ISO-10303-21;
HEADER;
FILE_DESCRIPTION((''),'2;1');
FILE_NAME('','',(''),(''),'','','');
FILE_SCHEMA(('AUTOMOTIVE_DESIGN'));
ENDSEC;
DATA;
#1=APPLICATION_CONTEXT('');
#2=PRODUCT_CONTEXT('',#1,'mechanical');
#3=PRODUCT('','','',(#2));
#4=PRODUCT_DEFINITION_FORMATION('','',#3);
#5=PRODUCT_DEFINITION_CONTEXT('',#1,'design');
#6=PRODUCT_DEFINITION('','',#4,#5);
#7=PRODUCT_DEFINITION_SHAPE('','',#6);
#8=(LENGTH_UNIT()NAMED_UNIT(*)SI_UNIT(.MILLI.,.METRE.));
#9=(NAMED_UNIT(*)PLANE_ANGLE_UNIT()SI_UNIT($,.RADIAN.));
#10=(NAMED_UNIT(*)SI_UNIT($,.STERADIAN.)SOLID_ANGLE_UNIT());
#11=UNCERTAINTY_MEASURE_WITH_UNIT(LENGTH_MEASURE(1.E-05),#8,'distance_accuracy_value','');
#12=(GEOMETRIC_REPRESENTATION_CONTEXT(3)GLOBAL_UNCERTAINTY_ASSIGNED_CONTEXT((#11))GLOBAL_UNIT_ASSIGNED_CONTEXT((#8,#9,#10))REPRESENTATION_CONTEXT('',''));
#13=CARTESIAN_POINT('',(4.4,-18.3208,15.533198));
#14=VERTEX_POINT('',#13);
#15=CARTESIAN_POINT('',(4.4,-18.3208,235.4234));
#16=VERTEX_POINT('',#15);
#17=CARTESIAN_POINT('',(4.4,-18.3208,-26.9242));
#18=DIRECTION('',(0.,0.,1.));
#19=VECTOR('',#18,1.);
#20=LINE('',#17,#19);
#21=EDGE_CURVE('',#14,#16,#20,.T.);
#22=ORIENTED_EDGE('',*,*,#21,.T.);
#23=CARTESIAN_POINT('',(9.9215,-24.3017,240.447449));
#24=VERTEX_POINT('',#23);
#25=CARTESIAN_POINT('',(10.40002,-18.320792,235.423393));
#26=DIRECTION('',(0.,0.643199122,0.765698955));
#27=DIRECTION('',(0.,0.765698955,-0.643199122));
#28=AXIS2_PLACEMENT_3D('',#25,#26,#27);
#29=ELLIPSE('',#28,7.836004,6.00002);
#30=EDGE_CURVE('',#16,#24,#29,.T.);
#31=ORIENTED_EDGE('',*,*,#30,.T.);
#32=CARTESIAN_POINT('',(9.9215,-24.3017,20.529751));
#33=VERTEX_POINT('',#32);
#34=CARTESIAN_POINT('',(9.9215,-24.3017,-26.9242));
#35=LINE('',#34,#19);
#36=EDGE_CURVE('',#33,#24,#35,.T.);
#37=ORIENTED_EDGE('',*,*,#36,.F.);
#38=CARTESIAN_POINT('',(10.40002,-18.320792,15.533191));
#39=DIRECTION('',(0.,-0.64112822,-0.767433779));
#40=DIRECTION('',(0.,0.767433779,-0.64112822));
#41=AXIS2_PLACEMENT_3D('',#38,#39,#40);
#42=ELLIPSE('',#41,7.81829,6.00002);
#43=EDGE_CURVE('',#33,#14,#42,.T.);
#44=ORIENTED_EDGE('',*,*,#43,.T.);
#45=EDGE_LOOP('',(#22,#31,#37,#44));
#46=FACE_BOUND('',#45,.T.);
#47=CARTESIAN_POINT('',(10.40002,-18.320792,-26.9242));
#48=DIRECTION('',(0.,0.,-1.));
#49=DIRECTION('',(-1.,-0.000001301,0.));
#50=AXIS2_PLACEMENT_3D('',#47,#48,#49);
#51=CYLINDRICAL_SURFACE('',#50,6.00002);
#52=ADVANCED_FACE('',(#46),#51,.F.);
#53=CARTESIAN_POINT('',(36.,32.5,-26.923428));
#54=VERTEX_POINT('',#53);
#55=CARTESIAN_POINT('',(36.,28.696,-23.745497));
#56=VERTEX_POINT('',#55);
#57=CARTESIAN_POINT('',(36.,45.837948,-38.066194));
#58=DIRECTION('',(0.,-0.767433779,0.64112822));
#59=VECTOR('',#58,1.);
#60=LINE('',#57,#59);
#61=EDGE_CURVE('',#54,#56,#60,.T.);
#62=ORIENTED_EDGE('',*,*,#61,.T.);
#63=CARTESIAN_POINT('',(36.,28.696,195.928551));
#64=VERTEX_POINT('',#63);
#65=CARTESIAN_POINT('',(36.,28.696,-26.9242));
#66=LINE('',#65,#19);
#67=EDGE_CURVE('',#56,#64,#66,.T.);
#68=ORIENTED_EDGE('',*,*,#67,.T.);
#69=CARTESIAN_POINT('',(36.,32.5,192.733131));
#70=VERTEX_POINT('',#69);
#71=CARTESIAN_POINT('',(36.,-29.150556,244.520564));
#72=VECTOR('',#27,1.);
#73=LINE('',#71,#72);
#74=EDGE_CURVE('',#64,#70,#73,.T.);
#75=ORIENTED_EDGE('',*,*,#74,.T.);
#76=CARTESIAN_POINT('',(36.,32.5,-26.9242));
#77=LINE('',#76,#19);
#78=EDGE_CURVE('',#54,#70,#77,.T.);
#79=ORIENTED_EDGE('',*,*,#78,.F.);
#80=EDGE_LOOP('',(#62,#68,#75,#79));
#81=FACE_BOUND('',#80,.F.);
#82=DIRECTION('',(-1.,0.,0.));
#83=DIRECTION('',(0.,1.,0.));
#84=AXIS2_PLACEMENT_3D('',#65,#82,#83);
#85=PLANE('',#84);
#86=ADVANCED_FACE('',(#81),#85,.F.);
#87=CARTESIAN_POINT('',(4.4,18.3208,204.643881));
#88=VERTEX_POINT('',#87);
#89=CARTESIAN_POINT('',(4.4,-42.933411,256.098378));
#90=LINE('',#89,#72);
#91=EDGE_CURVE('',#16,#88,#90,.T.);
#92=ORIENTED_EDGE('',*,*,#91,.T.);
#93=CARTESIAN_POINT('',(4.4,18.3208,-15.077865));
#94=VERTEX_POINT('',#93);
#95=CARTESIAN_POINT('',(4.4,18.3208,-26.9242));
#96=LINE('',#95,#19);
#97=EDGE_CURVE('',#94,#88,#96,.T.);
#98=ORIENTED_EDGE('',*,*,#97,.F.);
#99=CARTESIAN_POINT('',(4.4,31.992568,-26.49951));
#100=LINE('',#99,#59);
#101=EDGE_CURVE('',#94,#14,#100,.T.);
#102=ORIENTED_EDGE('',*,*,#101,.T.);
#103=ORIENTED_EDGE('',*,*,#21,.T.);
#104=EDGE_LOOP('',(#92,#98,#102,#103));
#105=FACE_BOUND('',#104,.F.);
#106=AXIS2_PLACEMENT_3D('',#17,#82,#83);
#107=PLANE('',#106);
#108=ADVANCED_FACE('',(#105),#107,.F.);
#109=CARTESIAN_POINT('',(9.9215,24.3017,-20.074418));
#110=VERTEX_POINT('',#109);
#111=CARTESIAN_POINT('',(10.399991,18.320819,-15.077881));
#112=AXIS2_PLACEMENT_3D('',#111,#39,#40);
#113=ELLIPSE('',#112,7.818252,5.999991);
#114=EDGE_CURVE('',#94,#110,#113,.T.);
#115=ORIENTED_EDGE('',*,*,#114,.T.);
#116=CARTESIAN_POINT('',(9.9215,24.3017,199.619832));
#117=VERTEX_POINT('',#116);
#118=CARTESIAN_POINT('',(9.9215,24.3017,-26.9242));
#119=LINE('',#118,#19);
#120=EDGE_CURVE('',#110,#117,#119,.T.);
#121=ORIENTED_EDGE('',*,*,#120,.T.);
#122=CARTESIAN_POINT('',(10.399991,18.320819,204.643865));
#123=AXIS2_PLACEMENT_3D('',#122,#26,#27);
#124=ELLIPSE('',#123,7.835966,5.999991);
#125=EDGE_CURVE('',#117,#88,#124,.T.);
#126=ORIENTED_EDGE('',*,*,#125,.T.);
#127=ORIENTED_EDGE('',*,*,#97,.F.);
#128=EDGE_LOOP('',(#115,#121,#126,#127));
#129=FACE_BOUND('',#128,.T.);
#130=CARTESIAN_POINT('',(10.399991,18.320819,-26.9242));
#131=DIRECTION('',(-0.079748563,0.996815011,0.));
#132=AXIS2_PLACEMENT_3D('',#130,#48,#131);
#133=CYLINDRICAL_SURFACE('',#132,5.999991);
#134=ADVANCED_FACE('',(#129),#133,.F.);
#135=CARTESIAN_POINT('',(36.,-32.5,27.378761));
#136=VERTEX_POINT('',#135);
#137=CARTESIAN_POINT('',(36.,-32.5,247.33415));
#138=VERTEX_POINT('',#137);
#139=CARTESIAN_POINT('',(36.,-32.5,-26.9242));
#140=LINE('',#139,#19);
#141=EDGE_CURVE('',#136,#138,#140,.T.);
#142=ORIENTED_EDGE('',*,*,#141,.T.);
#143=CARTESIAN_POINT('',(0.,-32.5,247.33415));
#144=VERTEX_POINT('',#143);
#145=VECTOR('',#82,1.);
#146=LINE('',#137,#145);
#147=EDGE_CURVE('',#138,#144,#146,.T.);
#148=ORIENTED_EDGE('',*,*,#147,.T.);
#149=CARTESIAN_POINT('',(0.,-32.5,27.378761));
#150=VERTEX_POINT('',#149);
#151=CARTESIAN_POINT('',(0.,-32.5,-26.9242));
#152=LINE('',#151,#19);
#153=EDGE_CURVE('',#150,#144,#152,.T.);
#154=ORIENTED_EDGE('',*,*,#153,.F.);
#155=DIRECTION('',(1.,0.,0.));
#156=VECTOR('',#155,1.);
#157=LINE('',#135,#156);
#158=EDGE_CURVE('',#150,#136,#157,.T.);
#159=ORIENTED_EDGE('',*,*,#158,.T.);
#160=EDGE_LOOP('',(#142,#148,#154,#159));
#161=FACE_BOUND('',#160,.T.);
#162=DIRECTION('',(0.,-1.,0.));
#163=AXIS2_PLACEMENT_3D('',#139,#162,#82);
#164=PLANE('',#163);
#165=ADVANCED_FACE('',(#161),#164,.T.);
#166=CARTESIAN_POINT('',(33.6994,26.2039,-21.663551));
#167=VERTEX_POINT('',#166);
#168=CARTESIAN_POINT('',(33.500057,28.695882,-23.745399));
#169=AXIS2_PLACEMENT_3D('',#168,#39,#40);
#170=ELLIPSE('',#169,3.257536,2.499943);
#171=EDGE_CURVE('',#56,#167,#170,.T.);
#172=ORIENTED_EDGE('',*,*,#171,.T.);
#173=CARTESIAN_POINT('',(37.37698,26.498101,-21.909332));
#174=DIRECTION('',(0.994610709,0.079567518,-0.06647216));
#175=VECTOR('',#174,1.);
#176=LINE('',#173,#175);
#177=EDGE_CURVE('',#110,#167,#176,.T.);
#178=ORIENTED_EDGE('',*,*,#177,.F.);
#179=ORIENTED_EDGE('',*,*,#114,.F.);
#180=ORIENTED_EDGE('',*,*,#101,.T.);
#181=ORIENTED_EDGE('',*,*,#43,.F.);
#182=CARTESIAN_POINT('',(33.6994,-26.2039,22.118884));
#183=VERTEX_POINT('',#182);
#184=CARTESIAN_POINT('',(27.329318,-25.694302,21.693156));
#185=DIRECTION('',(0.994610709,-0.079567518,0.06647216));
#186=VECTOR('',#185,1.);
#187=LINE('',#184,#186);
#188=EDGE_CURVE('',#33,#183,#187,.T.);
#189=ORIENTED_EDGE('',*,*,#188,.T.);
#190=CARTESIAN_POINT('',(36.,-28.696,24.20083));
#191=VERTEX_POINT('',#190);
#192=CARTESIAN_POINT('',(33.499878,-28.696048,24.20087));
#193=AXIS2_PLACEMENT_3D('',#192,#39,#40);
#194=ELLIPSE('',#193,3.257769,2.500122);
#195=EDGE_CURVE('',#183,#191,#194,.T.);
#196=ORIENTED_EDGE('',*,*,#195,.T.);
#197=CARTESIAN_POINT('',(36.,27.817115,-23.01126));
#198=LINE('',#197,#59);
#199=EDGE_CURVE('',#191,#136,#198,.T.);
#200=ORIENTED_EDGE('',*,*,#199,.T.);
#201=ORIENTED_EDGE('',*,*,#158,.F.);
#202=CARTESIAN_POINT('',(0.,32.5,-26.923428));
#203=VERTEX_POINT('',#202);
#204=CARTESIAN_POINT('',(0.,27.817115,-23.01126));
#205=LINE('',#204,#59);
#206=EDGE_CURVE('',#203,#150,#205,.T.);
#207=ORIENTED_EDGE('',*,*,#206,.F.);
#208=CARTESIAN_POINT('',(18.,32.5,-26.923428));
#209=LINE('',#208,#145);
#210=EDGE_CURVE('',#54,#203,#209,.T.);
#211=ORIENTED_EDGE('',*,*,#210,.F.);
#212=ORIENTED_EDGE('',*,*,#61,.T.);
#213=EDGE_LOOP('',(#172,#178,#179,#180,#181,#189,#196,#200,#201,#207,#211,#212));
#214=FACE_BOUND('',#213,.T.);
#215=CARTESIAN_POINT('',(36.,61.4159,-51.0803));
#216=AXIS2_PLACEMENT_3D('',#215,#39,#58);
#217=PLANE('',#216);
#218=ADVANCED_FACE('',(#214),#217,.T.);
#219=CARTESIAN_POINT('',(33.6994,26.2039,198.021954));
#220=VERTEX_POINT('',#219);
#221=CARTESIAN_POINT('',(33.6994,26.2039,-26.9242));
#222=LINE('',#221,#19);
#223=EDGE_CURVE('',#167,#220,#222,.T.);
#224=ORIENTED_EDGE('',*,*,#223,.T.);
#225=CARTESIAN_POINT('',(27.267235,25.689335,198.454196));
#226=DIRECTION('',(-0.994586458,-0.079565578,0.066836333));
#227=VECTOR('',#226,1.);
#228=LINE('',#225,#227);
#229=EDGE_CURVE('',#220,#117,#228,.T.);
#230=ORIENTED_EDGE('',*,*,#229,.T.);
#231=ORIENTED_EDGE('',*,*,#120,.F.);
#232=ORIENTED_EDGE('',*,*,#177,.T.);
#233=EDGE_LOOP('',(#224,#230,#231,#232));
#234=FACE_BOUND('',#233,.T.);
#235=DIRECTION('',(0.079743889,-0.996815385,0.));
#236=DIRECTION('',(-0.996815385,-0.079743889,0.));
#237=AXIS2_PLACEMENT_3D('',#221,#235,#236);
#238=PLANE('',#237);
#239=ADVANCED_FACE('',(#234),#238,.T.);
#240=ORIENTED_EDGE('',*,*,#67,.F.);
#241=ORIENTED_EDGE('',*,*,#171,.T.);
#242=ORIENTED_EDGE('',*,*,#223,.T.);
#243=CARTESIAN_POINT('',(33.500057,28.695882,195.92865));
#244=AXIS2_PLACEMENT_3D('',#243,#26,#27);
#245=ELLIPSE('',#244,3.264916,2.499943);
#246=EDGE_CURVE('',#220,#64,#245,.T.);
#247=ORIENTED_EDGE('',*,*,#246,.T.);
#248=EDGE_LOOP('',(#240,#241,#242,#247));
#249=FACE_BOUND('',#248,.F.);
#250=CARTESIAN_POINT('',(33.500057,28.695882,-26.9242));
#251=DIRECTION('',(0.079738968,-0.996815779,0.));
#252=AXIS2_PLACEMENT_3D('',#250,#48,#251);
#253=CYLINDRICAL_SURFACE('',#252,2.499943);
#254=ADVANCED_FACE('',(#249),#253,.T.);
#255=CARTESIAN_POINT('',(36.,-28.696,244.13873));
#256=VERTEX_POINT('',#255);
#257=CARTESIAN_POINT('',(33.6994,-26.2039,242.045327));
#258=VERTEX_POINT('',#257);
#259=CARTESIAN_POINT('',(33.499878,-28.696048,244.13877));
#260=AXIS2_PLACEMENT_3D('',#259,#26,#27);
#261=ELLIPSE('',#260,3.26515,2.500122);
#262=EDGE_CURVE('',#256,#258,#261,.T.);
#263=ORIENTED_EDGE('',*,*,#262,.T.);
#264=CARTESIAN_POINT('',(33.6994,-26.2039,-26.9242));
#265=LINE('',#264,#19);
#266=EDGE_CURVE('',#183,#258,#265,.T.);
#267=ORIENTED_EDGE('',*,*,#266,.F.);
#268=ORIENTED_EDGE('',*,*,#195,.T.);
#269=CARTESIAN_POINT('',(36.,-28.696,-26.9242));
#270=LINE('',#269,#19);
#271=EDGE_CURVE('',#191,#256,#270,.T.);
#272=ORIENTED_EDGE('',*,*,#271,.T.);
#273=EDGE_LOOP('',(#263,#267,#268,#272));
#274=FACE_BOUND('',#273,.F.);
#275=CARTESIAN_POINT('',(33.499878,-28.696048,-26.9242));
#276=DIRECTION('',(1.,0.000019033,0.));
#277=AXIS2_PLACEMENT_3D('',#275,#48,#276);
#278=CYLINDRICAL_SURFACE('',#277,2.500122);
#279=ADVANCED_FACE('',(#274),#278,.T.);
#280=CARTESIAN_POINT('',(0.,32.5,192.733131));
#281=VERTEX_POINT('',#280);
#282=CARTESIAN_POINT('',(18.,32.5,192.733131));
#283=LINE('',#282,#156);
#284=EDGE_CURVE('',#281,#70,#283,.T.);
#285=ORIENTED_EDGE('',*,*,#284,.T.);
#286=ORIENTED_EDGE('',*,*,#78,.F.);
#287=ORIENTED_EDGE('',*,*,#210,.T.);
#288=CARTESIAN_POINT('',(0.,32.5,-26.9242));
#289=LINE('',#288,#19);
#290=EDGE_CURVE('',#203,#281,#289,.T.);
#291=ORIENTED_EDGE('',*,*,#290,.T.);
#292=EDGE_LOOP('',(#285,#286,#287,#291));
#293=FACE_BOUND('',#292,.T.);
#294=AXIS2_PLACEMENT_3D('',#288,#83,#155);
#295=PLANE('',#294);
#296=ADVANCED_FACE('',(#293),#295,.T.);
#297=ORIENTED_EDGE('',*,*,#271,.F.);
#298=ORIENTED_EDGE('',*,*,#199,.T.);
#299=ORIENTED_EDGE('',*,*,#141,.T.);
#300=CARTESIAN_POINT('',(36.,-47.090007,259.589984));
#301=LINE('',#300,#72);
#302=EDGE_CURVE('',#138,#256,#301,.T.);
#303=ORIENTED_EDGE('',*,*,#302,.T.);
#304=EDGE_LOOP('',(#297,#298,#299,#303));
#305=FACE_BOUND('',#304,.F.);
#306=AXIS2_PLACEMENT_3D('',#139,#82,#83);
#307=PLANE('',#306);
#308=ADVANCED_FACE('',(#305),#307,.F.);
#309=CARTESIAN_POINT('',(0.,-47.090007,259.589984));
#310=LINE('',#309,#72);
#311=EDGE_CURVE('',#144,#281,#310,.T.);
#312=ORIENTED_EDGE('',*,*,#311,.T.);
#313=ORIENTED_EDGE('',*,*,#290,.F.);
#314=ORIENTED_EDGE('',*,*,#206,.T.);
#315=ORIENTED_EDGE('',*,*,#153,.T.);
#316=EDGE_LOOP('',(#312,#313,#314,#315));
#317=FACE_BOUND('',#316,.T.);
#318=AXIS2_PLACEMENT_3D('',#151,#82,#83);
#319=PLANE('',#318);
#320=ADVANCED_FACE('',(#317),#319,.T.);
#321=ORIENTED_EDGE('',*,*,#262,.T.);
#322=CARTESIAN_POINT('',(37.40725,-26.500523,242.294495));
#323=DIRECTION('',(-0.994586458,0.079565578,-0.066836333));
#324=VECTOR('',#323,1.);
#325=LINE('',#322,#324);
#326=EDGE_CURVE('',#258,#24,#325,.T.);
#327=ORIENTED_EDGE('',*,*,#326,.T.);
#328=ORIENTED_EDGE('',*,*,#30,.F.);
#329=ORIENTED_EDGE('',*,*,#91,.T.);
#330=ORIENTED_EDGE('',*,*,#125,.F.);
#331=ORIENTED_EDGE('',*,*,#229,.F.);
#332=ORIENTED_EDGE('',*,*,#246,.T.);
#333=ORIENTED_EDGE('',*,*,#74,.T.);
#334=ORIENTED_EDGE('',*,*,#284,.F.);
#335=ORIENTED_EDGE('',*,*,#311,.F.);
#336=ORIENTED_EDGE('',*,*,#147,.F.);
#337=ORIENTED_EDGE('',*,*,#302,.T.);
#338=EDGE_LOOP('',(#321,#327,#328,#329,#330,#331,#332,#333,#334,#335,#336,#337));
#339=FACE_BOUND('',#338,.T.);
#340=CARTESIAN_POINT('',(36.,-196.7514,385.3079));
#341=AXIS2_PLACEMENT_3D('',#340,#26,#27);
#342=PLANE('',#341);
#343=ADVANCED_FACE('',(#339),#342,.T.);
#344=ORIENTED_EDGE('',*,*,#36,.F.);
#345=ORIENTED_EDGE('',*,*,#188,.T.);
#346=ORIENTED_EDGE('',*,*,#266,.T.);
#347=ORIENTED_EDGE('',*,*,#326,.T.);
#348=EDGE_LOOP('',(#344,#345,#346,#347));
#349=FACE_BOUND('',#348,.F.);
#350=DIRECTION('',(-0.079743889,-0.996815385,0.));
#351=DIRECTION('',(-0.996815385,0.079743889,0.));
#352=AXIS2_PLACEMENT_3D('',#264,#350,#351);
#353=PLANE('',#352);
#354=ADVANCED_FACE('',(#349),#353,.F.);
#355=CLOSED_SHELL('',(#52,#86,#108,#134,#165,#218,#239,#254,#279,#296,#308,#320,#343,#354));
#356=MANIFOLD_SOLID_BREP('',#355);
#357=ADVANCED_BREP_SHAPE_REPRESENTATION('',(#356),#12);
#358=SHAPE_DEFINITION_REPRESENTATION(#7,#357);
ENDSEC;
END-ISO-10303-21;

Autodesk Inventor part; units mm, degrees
ref_plane "Начальная плоскость" through (0, 0, -26.9242) normal (0, 0, 1) x (1, 0, 0)
ref_plane "Конечная плоскость" through (0, 0, 247.3386) normal (0, 0, 1) x (1, 0, 0)
sketch "Эскиз" plane through (0, 0, 0) normal (0, 0, 1) x (1, 0, 0)
  line L0 (36, -32.5) -> (0, -32.5)
  line L1 (36, -32.5) -> (36, -28.696)
  line L2 (33.6994, -26.2039) -> (9.9215, -24.3017)
  line L3 (4.4, -18.3208) -> (4.4, 18.3208)
  line L4 (33.6994, 26.2039) -> (9.9215, 24.3017)
  line L5 (36, 28.696) -> (36, 32.5)
  line L6 (0, 32.5) -> (36, 32.5)
  line L7 (0, -32.5) -> (0, 32.5)
  arc A0 (4.4, -18.3208) -> (9.9215, -24.3017) centre (10.4, -18.3208) ccw
  arc A1 (9.9215, 24.3017) -> (4.4, 18.3208) centre (10.4, 18.3208) ccw
  arc A2 (36, -28.696) -> (33.6994, -26.2039) centre (33.5, -28.696) ccw
  arc A3 (33.6994, 26.2039) -> (36, 28.696) centre (33.5, 28.696) ccw
  line L8 (0, 45.5) -> (0, -45.5) construction
  line L9 (-7.2974, 0) -> (43.7847, 0) construction
  point P0 (36, -26.388)
  point P1 (4.4, -23.86)
  point P2 (4.4, 23.86)
  point P3 (36, 26.388)
  dimension "d3" = 36
  dimension "d5" = 4.4
  dimension "d7" = 65
  dimension "d9" = 8.64
  dimension "d11" = 8.64
  dimension "d13" = 6.112
  dimension "d15" = 6.112
  dimension "d22" = 6
  dimension "d23" = 2.5
  dimension "d24" = 32.5
  dimension "d25" = 0
extrude "Тело" add sketch "Эскиз" along normal up to surface (274.2628 mm away) from surface at -26.9242
sketch "Sketch3" plane through (0, 0, 0) normal (0, 0, 1) x (1, 0, 0)
  line L0 (0, 0) -> (10, 0)
ref_plane "Work Plane7" through (0, 0, 0) normal (0, -1, 0) x (1, 0, 0)
sketch "Sketch4" plane through (0, 0, 0) normal (0, -1, 0) x (1, 0, 0)
  line L0 (-2, -26.9242) -> (12, -26.9242)
  line L1 (-2, 247.3386) -> (12, 247.3386)
  dimension "d29" = 274.2629
ref_plane "РабПлоскость8" through (36, -196.7514, 385.3079) normal (0, 0.6432, 0.7657) x (1, 0, 0)
split "Разделение1" plane through (36, -196.7514, 385.3079) removes the side toward (0, 0.6432, 0.7657)
ref_plane "РабПлоскость9" through (36, 61.4159, -51.0803) normal (0, -0.6411, -0.7674) x (1, 0, 0)
split "Разделение2" plane through (36, 61.4159, -51.0803) removes the side toward (0, -0.6411, -0.7674)
equation "\"d3\" = b"
equation "\"d5\" = t1"
equation "\"d7\" = ParH"
equation "\"d9\" = msp_x1 + t2"
equation "\"d11\" = msp_x1 + t2"
equation "\"d13\" = -msp_x2 + t2"
equation "\"d15\" = -msp_x2 + t2"
equation "\"d22\" = R"
equation "\"d23\" = R1"
equation "\"d24\" = 0.5 * d7"
equation "\"d16\" = G_L"
equation "\"R1\" = 2.5"
equation "\"R\" = 6"
equation "\"t1\" = 4.4"
equation "\"t2\" = 7.2"
equation "\"ParH\" = 65"
equation "\"b\" = 36"
equation "\"msp_x1\" = 0.04 * b"
equation "\"msp_x2\" = -0.08 * t1 + 0.04 * b"
equation "\"G_L\" = d29"
equation "\"ex\" = 0"
equation "\"G_OFFSET_START\" = 26.92422"
equation "\"G_OFFSET_END\" = 27.29963"
equation "\"d26\" = -G_OFFSET_START"
equation "\"d27\" = G_OFFSET_END + B_L"
equation "\"B_L\" = 220.039"
properties part number "Швеллер 6.5U-274,26 ГОСТ 8240-97" material "Сталь, мягкая"
